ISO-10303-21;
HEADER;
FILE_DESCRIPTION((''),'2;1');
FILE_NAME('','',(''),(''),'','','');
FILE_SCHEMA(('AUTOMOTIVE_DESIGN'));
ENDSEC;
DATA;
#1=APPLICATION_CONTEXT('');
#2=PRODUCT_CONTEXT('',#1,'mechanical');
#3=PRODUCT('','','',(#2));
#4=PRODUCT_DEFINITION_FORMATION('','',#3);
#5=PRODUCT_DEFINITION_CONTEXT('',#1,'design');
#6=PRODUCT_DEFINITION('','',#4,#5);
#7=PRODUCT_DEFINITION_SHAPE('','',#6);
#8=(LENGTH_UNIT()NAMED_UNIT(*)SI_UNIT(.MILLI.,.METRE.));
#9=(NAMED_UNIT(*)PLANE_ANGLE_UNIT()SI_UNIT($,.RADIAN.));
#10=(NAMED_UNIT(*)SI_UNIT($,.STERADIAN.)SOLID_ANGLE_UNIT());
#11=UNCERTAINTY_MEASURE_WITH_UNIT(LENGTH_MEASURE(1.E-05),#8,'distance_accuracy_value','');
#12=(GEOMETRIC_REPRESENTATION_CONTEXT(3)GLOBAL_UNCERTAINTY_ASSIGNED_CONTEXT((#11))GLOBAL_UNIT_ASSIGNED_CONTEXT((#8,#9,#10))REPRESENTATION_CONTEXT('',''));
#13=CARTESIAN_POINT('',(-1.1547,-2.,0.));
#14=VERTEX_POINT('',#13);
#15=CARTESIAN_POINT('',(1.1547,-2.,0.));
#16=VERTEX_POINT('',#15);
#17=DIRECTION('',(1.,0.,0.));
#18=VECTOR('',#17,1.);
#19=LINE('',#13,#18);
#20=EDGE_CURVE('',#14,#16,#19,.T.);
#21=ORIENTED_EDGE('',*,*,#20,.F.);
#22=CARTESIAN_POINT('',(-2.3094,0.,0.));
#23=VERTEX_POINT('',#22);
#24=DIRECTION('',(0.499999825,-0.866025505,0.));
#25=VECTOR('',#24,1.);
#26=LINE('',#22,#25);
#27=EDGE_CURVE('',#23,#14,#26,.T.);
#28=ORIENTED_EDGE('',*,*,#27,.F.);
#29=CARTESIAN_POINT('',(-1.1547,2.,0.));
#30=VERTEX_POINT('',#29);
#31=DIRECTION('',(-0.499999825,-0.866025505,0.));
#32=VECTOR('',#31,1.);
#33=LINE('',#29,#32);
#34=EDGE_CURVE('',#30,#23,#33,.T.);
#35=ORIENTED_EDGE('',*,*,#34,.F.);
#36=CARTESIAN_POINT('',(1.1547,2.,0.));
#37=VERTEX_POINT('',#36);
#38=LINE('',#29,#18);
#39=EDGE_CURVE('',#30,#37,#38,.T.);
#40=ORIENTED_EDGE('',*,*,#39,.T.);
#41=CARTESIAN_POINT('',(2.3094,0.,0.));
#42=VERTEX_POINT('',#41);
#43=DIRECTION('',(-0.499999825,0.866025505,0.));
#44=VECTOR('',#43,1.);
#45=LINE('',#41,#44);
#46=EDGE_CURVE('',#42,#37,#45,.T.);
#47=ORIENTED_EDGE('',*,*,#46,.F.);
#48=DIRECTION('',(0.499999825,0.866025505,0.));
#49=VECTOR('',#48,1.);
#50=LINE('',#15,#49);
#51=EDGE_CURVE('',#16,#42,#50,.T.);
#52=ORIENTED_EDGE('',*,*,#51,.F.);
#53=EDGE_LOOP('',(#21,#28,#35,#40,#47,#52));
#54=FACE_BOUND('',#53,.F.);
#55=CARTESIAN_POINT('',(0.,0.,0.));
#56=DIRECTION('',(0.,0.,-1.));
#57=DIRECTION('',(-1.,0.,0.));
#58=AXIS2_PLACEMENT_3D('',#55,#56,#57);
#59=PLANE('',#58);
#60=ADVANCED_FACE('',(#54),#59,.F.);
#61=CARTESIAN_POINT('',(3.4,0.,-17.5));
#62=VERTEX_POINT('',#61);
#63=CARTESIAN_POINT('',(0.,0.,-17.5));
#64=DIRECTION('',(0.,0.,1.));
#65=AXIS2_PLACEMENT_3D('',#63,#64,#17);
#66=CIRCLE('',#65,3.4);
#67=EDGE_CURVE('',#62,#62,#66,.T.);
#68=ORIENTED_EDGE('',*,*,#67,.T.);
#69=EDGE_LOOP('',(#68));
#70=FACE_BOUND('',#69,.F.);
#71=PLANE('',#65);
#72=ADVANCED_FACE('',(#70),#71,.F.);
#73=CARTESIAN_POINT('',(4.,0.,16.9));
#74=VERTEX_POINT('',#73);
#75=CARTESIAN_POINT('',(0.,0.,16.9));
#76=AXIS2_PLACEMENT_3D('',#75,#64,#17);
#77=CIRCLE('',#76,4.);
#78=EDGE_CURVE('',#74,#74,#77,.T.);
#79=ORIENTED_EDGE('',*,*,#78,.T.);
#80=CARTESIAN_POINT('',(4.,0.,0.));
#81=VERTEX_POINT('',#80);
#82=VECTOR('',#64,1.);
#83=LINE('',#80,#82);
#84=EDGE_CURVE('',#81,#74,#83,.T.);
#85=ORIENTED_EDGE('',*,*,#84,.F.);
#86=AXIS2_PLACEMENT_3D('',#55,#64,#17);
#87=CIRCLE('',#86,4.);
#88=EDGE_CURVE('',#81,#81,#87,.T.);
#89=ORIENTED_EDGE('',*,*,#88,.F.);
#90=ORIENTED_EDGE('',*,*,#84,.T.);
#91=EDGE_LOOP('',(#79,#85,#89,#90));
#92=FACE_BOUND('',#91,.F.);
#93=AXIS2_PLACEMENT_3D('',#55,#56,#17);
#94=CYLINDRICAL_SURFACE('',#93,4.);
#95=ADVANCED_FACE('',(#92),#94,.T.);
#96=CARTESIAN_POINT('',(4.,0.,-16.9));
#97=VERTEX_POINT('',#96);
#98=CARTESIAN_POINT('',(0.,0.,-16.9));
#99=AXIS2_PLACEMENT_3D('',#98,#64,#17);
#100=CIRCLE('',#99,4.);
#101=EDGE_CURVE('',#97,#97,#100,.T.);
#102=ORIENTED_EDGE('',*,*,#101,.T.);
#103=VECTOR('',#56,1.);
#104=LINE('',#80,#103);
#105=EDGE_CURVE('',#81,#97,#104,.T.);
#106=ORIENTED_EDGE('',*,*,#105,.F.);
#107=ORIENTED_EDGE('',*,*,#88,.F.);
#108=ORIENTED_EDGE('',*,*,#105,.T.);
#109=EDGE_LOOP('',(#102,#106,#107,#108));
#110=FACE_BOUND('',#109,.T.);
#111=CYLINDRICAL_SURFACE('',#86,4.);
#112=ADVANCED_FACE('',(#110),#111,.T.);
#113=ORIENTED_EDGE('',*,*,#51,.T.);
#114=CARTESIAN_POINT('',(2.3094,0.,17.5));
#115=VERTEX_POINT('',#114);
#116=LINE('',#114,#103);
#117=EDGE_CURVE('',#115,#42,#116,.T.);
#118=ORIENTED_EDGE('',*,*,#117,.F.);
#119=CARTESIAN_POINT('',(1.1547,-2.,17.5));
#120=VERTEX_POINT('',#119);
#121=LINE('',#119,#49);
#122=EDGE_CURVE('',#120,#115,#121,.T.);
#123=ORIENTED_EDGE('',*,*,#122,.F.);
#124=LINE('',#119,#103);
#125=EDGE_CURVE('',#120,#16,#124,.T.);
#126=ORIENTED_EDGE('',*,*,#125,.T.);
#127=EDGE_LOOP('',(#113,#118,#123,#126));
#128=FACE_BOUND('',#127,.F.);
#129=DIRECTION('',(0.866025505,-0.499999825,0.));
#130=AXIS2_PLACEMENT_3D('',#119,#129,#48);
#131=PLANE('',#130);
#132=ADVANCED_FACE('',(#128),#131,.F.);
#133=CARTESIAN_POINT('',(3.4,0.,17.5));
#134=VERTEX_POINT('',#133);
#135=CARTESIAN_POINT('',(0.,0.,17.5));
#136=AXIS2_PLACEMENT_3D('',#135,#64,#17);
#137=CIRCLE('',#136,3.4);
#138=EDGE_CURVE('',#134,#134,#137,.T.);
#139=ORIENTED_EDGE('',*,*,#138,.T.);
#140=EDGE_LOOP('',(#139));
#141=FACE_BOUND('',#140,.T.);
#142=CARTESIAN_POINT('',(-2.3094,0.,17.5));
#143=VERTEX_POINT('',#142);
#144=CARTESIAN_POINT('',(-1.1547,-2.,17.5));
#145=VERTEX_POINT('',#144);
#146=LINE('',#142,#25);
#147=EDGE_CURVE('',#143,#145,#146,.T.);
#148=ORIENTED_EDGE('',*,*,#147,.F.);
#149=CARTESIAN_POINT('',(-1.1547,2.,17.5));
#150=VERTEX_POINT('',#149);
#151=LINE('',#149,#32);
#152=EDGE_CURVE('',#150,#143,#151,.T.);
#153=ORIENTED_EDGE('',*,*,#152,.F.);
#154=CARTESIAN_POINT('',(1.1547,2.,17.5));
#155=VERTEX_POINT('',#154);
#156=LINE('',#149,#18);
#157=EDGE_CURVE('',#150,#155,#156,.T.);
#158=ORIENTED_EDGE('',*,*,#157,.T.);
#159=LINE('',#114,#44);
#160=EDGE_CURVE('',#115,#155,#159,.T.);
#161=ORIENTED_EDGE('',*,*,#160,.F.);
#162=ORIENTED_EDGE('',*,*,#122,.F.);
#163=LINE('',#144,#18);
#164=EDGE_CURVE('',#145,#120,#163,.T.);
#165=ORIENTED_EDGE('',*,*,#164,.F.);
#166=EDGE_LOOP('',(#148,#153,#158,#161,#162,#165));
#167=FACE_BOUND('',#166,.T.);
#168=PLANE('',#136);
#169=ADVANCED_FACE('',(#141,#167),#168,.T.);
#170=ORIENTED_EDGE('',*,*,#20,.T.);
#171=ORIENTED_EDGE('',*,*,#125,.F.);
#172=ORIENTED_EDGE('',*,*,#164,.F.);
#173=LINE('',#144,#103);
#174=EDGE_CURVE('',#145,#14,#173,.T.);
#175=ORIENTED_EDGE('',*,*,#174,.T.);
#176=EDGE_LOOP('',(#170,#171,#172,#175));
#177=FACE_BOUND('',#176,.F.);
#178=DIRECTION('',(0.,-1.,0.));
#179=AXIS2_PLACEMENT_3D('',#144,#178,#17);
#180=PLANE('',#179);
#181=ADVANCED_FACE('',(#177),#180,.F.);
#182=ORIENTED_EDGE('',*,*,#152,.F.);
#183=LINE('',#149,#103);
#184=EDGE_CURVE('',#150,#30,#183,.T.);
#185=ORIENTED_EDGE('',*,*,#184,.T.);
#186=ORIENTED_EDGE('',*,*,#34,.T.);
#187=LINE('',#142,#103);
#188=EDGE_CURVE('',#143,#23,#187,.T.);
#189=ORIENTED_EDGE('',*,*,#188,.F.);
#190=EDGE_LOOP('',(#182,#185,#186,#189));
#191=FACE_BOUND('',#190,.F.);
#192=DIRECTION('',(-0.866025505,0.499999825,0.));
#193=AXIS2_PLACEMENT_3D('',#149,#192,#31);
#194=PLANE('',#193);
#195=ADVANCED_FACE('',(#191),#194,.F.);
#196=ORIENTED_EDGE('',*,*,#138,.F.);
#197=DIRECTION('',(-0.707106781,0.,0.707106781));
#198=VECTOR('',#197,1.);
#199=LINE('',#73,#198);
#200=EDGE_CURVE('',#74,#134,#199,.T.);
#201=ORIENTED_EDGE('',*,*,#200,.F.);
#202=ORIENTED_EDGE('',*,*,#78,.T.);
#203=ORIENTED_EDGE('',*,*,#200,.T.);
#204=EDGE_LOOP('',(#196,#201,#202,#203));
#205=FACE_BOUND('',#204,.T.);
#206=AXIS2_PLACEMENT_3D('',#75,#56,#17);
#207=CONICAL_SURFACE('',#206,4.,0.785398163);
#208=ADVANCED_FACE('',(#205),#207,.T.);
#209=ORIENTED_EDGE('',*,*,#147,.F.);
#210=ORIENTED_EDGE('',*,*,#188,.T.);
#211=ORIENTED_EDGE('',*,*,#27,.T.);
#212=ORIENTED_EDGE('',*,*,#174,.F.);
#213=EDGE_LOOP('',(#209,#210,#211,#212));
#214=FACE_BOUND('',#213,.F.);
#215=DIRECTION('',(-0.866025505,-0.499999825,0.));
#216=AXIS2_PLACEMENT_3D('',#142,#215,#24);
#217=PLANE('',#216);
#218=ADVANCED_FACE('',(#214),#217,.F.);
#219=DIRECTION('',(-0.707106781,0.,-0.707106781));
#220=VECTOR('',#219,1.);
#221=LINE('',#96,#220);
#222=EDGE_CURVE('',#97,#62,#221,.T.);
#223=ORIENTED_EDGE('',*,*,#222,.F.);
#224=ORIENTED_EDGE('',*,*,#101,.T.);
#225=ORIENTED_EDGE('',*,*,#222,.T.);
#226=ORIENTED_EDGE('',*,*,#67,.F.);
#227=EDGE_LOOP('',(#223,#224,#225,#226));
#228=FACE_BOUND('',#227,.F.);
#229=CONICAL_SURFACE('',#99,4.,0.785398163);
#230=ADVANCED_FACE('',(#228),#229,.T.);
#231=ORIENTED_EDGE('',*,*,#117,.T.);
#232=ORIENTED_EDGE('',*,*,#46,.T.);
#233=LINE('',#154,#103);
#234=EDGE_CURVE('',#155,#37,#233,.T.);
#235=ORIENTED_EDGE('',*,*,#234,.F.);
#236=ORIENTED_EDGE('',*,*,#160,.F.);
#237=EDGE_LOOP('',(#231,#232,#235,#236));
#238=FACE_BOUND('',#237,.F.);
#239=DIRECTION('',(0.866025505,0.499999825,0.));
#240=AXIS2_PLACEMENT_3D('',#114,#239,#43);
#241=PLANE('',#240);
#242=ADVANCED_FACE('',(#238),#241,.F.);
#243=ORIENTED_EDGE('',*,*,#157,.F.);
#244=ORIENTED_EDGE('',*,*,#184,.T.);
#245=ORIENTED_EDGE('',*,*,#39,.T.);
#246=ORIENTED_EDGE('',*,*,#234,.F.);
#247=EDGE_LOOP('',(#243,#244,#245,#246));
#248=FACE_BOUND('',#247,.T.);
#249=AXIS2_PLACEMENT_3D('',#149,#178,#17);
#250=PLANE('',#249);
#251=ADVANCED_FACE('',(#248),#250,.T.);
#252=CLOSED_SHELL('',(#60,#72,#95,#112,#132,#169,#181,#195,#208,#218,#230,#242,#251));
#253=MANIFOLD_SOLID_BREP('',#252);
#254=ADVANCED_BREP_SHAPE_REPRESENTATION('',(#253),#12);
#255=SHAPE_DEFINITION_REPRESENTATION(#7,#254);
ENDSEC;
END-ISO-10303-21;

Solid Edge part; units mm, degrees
sketch "Sketch1" plane through (0, 0, 0) normal (0, 0, 1) x (1, 0, 0)
  circle A0 centre (0, 0) radius 4
  dimension "D1" = 8
extrude "Protrusion1" add sketch "Sketch1" along normal mid plane 35
chamfer "Chamfer1" distance 0.6 angle 45 2 edges at (-4, 0, -17.5) (-4, 0, 17.5)
sketch "Sketch2" plane through (0, 0, 17.5) normal (0, 0, 1) x (1, 0, 0)
  line L0 (-1.1547, 2) -> (1.1547, 2)
  line L1 (2.3094, 0) -> (1.1547, 2)
  line L2 (1.1547, -2) -> (2.3094, 0)
  line L3 (-1.1547, -2) -> (1.1547, -2)
  line L4 (-2.3094, 0) -> (-1.1547, -2)
  line L5 (-1.1547, 2) -> (-2.3094, 0)
  dimension "D1" = 4
extrude "Cutout1" cut sketch "Sketch2" against normal blind 17.5
properties part number "201054"
